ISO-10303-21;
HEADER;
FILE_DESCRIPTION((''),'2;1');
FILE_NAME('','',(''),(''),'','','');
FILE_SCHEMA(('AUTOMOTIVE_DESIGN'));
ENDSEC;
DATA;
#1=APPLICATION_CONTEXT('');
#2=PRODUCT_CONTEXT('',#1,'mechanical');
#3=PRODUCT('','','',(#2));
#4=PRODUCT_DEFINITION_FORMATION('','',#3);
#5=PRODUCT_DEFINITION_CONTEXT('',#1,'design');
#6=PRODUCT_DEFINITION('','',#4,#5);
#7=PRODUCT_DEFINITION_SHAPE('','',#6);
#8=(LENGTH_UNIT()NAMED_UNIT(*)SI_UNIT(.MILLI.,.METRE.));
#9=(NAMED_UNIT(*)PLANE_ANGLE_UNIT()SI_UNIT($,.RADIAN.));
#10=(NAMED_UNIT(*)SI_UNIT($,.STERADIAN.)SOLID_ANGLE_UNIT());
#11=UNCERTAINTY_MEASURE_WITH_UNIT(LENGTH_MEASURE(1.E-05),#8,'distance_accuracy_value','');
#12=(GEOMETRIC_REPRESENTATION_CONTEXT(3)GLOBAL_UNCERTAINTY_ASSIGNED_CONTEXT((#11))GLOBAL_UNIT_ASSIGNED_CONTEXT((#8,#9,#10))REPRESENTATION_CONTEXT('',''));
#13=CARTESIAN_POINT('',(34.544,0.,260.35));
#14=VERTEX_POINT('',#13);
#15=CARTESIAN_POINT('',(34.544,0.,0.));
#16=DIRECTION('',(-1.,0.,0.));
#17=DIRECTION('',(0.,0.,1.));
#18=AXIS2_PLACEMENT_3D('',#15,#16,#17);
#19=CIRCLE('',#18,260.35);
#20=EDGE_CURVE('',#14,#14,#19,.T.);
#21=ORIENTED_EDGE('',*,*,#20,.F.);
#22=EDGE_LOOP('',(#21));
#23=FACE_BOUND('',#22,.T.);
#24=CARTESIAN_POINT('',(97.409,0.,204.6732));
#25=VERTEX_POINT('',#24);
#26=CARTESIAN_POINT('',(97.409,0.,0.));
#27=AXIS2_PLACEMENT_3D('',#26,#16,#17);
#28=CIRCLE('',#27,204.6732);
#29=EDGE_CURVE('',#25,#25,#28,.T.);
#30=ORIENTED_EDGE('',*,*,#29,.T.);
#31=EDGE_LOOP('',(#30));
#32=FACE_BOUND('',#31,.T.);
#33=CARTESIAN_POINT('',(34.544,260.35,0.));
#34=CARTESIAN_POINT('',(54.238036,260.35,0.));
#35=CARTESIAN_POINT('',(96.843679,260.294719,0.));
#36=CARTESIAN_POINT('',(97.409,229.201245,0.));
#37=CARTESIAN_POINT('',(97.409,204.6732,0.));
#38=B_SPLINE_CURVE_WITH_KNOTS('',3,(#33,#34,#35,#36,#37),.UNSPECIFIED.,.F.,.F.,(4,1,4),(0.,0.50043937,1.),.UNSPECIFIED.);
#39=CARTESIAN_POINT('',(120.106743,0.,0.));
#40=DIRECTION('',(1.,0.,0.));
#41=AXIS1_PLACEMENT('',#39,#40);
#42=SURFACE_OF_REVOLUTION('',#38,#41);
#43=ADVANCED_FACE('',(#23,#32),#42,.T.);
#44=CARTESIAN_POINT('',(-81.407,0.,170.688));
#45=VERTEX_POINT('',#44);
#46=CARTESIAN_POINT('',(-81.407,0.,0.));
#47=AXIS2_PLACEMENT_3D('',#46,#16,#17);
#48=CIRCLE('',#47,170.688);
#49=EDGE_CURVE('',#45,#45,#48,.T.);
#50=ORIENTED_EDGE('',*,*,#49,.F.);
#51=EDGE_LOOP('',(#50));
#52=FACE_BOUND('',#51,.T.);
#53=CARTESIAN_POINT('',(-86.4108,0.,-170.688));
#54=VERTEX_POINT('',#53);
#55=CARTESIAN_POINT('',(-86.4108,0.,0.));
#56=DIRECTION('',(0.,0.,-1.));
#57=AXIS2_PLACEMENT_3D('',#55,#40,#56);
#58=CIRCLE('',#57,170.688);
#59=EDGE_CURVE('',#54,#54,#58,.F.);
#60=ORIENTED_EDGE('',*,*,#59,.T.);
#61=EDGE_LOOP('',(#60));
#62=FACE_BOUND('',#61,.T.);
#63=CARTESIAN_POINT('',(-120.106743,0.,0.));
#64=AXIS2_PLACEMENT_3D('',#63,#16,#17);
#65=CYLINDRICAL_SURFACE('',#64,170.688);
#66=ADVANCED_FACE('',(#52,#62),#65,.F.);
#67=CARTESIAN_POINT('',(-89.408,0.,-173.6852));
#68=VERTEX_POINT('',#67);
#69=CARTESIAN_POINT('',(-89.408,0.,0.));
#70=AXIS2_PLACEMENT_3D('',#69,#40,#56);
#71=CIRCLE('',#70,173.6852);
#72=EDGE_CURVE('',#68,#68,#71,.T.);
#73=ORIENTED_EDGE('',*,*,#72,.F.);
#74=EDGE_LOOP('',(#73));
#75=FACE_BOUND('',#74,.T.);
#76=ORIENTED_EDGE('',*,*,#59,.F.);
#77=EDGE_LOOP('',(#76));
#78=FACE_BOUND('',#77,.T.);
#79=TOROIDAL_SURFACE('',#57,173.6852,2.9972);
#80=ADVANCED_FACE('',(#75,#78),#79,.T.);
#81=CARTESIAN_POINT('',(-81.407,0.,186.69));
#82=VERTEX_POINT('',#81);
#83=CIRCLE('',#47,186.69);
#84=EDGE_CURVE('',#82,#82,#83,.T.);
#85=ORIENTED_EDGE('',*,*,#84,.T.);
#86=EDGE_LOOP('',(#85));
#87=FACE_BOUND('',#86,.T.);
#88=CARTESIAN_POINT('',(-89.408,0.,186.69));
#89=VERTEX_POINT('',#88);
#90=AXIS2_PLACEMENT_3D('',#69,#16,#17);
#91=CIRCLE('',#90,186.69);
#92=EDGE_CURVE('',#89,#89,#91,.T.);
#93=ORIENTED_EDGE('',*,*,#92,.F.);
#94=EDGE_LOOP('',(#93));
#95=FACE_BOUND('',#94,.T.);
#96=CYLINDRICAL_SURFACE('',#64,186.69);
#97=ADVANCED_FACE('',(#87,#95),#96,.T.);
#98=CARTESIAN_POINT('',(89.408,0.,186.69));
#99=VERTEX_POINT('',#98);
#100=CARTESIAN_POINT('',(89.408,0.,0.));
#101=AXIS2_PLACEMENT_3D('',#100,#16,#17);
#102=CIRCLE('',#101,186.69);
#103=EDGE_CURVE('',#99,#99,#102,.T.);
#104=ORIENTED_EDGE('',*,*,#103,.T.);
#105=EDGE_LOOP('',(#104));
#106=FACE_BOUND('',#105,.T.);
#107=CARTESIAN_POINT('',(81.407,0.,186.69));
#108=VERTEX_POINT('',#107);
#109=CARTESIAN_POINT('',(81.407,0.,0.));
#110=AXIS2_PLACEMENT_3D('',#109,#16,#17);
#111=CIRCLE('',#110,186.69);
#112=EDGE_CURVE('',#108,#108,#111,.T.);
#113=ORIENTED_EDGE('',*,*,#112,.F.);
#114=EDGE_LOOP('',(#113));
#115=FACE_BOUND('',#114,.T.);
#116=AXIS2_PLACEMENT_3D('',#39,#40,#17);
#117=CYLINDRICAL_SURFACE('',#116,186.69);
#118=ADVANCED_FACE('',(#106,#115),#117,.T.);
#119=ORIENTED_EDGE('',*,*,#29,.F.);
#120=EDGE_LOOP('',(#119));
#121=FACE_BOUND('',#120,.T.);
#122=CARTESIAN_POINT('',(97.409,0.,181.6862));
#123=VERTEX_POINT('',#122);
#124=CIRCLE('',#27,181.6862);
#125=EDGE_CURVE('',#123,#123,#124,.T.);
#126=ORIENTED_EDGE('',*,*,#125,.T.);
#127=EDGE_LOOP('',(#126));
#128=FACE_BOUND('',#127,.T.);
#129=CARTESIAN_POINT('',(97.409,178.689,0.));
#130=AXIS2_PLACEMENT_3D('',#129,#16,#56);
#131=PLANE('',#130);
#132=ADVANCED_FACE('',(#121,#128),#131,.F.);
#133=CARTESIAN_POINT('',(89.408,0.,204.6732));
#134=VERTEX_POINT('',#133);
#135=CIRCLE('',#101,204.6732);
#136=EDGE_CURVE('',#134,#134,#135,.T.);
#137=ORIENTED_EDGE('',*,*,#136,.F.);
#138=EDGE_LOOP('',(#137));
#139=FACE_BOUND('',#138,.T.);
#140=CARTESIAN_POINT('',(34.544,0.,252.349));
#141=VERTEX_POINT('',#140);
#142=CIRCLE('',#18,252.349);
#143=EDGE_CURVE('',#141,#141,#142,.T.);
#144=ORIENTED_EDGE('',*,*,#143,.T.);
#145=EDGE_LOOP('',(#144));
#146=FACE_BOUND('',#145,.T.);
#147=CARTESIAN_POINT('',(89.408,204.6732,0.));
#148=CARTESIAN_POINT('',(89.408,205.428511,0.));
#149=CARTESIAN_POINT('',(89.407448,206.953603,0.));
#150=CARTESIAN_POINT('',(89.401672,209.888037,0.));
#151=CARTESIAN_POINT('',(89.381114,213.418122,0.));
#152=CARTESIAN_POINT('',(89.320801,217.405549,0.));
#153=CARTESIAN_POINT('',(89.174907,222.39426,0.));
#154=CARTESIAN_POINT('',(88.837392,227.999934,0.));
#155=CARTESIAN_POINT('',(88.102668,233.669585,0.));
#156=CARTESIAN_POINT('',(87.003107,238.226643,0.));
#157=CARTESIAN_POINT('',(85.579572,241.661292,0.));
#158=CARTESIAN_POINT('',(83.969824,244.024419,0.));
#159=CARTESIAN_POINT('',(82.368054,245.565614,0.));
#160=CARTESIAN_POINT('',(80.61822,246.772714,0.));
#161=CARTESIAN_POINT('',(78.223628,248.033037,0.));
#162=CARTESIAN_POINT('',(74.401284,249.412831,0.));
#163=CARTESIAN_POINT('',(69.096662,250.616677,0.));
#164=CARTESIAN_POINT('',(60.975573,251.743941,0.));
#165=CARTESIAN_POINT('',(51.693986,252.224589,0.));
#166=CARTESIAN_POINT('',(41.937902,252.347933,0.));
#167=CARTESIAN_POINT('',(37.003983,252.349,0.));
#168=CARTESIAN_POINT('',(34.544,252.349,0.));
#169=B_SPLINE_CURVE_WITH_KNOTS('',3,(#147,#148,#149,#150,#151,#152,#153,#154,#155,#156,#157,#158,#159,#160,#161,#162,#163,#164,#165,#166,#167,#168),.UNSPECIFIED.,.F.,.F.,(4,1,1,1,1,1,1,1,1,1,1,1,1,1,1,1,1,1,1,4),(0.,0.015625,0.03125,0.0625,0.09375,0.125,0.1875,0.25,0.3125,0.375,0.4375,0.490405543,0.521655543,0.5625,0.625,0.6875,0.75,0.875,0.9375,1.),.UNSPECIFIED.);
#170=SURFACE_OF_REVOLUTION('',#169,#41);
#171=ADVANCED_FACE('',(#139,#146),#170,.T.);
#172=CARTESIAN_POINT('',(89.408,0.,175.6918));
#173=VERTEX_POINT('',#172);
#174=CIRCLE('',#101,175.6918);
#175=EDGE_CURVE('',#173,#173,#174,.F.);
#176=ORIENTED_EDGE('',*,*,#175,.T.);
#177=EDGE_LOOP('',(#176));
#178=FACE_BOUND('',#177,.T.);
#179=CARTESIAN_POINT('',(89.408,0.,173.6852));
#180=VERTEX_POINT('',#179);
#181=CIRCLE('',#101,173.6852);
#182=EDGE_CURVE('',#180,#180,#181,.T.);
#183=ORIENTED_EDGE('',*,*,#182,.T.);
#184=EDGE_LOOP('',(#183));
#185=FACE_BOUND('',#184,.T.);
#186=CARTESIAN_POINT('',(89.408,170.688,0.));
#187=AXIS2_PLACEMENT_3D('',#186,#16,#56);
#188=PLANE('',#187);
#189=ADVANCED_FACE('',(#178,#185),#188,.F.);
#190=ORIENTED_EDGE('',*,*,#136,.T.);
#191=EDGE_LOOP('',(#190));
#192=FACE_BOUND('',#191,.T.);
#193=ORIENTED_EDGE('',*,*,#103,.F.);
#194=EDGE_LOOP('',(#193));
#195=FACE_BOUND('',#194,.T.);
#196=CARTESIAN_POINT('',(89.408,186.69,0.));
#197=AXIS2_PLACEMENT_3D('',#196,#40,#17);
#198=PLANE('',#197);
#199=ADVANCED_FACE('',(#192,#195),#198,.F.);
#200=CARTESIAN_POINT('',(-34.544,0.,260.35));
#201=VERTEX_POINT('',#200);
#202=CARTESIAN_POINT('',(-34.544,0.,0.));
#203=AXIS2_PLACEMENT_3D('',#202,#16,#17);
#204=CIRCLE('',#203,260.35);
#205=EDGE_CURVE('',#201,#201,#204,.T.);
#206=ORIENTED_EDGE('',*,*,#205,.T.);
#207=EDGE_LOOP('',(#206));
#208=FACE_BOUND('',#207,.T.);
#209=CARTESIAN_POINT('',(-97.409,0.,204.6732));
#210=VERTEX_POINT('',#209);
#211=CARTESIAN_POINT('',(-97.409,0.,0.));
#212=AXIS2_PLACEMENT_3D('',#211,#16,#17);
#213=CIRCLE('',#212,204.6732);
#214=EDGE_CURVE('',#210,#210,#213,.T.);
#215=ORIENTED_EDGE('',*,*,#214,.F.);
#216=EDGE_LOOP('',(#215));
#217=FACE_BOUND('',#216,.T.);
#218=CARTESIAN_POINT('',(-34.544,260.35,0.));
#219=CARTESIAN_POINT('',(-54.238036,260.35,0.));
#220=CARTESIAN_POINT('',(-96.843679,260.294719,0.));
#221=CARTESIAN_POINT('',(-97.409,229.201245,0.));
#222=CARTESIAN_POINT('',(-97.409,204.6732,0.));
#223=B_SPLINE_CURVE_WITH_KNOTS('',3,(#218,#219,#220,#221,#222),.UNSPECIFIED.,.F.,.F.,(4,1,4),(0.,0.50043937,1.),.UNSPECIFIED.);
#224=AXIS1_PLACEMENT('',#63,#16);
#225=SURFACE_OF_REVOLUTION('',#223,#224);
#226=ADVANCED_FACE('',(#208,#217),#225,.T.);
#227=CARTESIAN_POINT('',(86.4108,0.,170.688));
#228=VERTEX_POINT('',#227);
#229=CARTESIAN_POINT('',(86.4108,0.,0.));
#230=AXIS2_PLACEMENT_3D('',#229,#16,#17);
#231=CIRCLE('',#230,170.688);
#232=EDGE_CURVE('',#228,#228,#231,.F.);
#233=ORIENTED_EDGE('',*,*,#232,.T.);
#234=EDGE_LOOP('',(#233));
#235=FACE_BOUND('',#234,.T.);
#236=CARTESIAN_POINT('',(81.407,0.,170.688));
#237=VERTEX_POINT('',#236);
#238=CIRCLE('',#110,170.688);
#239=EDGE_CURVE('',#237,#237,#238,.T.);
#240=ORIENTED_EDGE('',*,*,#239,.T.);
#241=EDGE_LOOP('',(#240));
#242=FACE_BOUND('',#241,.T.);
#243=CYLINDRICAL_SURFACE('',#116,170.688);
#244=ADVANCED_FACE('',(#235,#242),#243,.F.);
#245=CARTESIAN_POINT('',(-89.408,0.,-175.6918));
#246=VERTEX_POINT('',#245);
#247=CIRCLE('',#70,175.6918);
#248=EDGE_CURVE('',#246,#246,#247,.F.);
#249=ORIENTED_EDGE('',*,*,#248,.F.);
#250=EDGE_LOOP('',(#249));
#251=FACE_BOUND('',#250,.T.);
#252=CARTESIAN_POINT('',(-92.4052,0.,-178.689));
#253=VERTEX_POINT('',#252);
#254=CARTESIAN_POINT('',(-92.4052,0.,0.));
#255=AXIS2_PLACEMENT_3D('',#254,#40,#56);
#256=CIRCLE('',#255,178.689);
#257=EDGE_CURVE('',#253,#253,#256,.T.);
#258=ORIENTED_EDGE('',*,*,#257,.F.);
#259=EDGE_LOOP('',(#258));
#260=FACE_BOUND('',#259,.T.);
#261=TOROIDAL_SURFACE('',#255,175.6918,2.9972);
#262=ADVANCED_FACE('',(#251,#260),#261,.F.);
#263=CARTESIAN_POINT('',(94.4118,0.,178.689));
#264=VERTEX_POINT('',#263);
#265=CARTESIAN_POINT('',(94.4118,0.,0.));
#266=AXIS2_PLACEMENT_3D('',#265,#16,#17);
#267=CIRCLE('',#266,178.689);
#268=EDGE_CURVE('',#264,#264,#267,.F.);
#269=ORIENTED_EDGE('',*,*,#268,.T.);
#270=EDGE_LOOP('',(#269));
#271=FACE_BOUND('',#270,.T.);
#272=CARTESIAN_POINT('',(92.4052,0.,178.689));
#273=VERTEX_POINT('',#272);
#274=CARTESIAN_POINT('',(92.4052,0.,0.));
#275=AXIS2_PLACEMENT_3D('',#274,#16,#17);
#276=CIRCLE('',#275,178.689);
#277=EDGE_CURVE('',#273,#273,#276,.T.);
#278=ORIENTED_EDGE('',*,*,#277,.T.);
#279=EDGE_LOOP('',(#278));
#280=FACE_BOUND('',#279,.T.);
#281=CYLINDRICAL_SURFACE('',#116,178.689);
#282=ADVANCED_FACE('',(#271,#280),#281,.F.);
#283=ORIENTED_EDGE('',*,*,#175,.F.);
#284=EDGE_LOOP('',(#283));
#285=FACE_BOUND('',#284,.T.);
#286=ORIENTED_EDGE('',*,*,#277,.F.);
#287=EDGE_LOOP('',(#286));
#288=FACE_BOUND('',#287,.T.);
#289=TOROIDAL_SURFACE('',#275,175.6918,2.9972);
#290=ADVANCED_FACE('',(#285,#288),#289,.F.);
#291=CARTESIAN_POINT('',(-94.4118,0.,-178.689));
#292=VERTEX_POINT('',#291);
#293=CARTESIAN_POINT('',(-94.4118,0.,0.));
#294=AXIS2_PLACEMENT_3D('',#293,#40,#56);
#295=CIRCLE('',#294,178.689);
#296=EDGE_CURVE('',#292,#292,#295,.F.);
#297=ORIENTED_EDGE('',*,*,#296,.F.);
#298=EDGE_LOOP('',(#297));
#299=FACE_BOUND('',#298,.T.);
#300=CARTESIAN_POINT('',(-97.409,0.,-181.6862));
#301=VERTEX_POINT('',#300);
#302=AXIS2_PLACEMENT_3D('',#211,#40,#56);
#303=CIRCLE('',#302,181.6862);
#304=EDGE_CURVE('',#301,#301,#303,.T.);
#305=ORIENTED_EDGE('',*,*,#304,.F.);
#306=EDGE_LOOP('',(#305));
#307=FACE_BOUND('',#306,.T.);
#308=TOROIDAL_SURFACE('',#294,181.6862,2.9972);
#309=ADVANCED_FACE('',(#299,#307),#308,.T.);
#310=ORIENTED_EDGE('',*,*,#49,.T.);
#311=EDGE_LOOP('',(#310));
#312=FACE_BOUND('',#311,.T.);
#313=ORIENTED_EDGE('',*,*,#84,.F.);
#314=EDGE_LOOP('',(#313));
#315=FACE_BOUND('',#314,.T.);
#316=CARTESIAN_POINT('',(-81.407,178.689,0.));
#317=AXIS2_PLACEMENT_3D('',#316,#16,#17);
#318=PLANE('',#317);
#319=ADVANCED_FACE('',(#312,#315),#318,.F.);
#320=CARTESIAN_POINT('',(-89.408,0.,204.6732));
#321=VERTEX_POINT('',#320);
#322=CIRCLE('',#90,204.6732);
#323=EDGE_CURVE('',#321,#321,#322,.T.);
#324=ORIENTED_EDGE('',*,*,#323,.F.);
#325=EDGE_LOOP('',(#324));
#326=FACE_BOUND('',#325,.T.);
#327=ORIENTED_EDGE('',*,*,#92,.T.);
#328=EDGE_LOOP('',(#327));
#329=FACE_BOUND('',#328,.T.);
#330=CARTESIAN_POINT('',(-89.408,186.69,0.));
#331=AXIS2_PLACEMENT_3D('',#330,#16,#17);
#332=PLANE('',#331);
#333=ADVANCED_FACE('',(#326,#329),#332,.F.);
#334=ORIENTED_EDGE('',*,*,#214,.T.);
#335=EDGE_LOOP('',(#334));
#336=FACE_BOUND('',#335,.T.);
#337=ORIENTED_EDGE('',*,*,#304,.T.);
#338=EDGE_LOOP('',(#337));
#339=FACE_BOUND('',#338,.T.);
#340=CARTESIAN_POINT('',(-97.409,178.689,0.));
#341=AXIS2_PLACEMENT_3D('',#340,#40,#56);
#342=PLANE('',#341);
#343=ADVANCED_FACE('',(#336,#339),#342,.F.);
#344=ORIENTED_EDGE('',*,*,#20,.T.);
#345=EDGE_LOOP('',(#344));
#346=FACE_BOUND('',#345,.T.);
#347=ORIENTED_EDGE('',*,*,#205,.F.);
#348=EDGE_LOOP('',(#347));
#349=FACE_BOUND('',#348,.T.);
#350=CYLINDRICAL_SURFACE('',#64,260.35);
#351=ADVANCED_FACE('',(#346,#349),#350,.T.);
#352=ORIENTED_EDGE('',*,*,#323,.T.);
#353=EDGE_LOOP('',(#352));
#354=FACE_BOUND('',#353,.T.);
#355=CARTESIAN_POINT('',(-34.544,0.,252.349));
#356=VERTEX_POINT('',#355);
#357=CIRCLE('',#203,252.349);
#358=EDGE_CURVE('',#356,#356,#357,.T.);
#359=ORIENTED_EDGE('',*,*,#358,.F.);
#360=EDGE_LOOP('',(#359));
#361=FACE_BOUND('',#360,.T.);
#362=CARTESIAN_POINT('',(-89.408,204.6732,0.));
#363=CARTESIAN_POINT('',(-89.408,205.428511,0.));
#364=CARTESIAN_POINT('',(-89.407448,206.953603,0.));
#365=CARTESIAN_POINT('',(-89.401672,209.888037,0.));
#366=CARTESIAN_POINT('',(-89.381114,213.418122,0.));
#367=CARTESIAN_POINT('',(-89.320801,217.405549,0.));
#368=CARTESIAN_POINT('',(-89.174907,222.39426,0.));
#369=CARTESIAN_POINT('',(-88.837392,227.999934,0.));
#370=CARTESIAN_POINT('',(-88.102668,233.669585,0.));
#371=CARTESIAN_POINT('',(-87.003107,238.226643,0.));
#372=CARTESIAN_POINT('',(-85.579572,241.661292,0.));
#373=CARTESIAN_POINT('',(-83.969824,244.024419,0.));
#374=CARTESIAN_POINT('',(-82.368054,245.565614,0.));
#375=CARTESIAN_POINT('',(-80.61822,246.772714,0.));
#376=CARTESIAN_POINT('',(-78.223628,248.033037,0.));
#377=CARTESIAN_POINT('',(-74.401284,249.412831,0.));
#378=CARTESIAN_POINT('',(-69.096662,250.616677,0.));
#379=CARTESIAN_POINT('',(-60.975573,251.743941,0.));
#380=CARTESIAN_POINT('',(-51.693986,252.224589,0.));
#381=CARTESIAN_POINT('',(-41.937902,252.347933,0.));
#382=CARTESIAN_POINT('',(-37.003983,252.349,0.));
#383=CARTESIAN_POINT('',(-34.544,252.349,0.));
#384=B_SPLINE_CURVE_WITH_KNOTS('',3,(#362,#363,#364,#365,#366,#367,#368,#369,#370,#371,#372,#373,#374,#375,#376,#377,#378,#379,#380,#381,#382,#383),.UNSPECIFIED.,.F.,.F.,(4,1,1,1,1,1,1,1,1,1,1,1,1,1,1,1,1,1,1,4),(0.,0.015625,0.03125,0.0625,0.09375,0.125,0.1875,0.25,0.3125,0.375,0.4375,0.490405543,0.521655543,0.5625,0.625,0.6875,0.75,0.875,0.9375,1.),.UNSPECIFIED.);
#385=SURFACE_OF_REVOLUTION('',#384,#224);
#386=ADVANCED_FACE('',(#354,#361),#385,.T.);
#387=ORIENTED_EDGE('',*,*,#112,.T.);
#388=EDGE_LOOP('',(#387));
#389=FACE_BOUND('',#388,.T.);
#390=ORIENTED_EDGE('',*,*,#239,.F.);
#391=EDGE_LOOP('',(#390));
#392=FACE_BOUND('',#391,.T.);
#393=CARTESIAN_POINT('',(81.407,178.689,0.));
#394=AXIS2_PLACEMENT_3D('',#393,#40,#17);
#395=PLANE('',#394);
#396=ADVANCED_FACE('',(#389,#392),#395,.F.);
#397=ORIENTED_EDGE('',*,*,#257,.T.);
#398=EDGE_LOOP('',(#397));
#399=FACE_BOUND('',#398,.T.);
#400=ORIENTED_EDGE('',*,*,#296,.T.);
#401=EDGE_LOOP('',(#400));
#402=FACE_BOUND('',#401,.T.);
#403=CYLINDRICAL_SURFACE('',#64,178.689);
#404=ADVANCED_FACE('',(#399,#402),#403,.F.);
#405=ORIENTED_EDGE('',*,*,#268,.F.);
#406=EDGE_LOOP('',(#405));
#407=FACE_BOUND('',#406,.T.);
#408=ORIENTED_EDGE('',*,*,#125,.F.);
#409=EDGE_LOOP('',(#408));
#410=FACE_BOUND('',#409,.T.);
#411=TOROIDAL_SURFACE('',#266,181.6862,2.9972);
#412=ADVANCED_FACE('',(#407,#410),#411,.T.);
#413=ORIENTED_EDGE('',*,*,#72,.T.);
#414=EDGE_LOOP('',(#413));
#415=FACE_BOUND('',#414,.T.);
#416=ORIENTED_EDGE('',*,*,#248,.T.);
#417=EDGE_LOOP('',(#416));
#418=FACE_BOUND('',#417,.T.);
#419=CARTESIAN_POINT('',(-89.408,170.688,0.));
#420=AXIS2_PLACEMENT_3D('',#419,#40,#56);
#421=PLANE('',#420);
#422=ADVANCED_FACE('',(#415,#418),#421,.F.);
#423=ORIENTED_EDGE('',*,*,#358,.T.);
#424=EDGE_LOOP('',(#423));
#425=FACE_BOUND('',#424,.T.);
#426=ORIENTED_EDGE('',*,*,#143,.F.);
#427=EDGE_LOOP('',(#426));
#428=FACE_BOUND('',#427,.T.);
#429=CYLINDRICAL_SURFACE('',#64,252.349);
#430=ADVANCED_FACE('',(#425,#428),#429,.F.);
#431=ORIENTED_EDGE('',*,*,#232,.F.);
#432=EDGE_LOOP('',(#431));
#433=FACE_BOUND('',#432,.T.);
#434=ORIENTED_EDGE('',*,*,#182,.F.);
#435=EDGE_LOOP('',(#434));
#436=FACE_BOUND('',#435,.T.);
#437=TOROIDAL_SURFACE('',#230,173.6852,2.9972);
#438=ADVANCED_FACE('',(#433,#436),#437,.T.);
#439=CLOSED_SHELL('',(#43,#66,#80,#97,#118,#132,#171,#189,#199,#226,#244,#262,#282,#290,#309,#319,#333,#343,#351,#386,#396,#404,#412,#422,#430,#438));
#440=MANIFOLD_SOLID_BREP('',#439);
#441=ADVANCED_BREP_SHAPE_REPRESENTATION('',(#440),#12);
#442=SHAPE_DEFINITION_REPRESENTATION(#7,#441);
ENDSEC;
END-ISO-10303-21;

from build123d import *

# Parameters (mm, degrees)
FILLET1_R = 2.9972
FILLET2_R = 2.9972


with BuildPart() as part:
    # Sketch1 → Revolve1 (revolve)
    with BuildSketch(Plane.XY, mode=Mode.PRIVATE) as revolve1_sk:
        with BuildLine():
            Line((0, 260.35), (-34.544, 260.35))
            add(Edge.make_bspline(
                [(-34.544, 260.35), (-54.238036278, 260.35), (-96.843679126, 260.294718787), (-97.409, 229.201245204), (-97.409, 204.6732)],
                knots=[0, 0, 0, 0, 0.50043937, 1, 1, 1, 1], degree=3))
            Line((-97.409, 204.6732), (-97.409, 178.689))
            Line((-97.409, 178.689), (-89.408, 178.689))
            Line((-89.408, 178.689), (-89.408, 170.688))
            Line((-89.408, 170.688), (-81.407, 170.688))
            Line((-81.407, 170.688), (-81.407, 178.689))
            Line((-81.407, 178.689), (-81.407, 186.69))
            Line((-81.407, 186.69), (-89.408, 186.69))
            Line((-89.408, 186.69), (-89.408, 204.6732))
            add(Edge.make_bspline(
                [(-34.544, 252.349), (-37.003983488, 252.349), (-41.937901553, 252.34793327), (-51.693986408, 252.224589007), (-60.9755731, 251.743940548), (-69.096662341, 250.61667717), (-74.401284141, 249.41283137), (-78.22362839, 248.033037193), (-80.618219979, 246.772714257), (-82.368054269, 245.565614045), (-83.9698243, 244.024418961), (-85.579571502, 241.661292123), (-87.003106979, 238.226642631), (-88.102667871, 233.669585184), (-88.837391939, 227.999934294), (-89.174906946, 222.394259863), (-89.320800993, 217.405548766), (-89.381114027, 213.418121806), (-89.401672217, 209.888037485), (-89.407448129, 206.953602566), (-89.408, 205.428511481), (-89.408, 204.6732)],
                knots=[0, 0, 0, 0, 0.0625, 0.125, 0.25, 0.3125, 0.375, 0.4375, 0.478344457, 0.509594457, 0.5625, 0.625, 0.6875, 0.75, 0.8125, 0.875, 0.90625, 0.9375, 0.96875, 0.984375, 1, 1, 1, 1], degree=3))
            Line((-34.544, 252.349), (-8.001, 252.349))
            Line((-8.001, 252.349), (0, 252.349))
            Line((0, 252.349), (0, 260.35))
        make_face()
    revolve1 = revolve(revolve1_sk.sketch.rotate(Axis((-120.106742896, 0, 0), (1, 0, 0)), 90), axis=Axis((-120.106742896, 0, 0), (1, 0, 0)))

    # Fillet1
    fillet1_edges = [part.edges().sort_by_distance(p)[0] for p in [
        (-97.409, 0, -178.689),
        (-89.408, 0, -178.689),
        (-89.408, 0, -170.688),
    ]]
    fillet(fillet1_edges, radius=FILLET1_R)

    # Mirror1: Revolve1 across Right Plane
    add(revolve1.mirror(Plane(origin=(0, 0, 0), x_dir=(0, 0, -1), z_dir=(1, 0, 0))))

    # Fillet2
    fillet2_edges = [part.edges().sort_by_distance(p)[0] for p in [
        (89.408, 0, -170.688),
        (89.408, 0, -178.689),
        (97.409, 0, -178.689),
    ]]
    fillet(fillet2_edges, radius=FILLET2_R)


solid = part.part
